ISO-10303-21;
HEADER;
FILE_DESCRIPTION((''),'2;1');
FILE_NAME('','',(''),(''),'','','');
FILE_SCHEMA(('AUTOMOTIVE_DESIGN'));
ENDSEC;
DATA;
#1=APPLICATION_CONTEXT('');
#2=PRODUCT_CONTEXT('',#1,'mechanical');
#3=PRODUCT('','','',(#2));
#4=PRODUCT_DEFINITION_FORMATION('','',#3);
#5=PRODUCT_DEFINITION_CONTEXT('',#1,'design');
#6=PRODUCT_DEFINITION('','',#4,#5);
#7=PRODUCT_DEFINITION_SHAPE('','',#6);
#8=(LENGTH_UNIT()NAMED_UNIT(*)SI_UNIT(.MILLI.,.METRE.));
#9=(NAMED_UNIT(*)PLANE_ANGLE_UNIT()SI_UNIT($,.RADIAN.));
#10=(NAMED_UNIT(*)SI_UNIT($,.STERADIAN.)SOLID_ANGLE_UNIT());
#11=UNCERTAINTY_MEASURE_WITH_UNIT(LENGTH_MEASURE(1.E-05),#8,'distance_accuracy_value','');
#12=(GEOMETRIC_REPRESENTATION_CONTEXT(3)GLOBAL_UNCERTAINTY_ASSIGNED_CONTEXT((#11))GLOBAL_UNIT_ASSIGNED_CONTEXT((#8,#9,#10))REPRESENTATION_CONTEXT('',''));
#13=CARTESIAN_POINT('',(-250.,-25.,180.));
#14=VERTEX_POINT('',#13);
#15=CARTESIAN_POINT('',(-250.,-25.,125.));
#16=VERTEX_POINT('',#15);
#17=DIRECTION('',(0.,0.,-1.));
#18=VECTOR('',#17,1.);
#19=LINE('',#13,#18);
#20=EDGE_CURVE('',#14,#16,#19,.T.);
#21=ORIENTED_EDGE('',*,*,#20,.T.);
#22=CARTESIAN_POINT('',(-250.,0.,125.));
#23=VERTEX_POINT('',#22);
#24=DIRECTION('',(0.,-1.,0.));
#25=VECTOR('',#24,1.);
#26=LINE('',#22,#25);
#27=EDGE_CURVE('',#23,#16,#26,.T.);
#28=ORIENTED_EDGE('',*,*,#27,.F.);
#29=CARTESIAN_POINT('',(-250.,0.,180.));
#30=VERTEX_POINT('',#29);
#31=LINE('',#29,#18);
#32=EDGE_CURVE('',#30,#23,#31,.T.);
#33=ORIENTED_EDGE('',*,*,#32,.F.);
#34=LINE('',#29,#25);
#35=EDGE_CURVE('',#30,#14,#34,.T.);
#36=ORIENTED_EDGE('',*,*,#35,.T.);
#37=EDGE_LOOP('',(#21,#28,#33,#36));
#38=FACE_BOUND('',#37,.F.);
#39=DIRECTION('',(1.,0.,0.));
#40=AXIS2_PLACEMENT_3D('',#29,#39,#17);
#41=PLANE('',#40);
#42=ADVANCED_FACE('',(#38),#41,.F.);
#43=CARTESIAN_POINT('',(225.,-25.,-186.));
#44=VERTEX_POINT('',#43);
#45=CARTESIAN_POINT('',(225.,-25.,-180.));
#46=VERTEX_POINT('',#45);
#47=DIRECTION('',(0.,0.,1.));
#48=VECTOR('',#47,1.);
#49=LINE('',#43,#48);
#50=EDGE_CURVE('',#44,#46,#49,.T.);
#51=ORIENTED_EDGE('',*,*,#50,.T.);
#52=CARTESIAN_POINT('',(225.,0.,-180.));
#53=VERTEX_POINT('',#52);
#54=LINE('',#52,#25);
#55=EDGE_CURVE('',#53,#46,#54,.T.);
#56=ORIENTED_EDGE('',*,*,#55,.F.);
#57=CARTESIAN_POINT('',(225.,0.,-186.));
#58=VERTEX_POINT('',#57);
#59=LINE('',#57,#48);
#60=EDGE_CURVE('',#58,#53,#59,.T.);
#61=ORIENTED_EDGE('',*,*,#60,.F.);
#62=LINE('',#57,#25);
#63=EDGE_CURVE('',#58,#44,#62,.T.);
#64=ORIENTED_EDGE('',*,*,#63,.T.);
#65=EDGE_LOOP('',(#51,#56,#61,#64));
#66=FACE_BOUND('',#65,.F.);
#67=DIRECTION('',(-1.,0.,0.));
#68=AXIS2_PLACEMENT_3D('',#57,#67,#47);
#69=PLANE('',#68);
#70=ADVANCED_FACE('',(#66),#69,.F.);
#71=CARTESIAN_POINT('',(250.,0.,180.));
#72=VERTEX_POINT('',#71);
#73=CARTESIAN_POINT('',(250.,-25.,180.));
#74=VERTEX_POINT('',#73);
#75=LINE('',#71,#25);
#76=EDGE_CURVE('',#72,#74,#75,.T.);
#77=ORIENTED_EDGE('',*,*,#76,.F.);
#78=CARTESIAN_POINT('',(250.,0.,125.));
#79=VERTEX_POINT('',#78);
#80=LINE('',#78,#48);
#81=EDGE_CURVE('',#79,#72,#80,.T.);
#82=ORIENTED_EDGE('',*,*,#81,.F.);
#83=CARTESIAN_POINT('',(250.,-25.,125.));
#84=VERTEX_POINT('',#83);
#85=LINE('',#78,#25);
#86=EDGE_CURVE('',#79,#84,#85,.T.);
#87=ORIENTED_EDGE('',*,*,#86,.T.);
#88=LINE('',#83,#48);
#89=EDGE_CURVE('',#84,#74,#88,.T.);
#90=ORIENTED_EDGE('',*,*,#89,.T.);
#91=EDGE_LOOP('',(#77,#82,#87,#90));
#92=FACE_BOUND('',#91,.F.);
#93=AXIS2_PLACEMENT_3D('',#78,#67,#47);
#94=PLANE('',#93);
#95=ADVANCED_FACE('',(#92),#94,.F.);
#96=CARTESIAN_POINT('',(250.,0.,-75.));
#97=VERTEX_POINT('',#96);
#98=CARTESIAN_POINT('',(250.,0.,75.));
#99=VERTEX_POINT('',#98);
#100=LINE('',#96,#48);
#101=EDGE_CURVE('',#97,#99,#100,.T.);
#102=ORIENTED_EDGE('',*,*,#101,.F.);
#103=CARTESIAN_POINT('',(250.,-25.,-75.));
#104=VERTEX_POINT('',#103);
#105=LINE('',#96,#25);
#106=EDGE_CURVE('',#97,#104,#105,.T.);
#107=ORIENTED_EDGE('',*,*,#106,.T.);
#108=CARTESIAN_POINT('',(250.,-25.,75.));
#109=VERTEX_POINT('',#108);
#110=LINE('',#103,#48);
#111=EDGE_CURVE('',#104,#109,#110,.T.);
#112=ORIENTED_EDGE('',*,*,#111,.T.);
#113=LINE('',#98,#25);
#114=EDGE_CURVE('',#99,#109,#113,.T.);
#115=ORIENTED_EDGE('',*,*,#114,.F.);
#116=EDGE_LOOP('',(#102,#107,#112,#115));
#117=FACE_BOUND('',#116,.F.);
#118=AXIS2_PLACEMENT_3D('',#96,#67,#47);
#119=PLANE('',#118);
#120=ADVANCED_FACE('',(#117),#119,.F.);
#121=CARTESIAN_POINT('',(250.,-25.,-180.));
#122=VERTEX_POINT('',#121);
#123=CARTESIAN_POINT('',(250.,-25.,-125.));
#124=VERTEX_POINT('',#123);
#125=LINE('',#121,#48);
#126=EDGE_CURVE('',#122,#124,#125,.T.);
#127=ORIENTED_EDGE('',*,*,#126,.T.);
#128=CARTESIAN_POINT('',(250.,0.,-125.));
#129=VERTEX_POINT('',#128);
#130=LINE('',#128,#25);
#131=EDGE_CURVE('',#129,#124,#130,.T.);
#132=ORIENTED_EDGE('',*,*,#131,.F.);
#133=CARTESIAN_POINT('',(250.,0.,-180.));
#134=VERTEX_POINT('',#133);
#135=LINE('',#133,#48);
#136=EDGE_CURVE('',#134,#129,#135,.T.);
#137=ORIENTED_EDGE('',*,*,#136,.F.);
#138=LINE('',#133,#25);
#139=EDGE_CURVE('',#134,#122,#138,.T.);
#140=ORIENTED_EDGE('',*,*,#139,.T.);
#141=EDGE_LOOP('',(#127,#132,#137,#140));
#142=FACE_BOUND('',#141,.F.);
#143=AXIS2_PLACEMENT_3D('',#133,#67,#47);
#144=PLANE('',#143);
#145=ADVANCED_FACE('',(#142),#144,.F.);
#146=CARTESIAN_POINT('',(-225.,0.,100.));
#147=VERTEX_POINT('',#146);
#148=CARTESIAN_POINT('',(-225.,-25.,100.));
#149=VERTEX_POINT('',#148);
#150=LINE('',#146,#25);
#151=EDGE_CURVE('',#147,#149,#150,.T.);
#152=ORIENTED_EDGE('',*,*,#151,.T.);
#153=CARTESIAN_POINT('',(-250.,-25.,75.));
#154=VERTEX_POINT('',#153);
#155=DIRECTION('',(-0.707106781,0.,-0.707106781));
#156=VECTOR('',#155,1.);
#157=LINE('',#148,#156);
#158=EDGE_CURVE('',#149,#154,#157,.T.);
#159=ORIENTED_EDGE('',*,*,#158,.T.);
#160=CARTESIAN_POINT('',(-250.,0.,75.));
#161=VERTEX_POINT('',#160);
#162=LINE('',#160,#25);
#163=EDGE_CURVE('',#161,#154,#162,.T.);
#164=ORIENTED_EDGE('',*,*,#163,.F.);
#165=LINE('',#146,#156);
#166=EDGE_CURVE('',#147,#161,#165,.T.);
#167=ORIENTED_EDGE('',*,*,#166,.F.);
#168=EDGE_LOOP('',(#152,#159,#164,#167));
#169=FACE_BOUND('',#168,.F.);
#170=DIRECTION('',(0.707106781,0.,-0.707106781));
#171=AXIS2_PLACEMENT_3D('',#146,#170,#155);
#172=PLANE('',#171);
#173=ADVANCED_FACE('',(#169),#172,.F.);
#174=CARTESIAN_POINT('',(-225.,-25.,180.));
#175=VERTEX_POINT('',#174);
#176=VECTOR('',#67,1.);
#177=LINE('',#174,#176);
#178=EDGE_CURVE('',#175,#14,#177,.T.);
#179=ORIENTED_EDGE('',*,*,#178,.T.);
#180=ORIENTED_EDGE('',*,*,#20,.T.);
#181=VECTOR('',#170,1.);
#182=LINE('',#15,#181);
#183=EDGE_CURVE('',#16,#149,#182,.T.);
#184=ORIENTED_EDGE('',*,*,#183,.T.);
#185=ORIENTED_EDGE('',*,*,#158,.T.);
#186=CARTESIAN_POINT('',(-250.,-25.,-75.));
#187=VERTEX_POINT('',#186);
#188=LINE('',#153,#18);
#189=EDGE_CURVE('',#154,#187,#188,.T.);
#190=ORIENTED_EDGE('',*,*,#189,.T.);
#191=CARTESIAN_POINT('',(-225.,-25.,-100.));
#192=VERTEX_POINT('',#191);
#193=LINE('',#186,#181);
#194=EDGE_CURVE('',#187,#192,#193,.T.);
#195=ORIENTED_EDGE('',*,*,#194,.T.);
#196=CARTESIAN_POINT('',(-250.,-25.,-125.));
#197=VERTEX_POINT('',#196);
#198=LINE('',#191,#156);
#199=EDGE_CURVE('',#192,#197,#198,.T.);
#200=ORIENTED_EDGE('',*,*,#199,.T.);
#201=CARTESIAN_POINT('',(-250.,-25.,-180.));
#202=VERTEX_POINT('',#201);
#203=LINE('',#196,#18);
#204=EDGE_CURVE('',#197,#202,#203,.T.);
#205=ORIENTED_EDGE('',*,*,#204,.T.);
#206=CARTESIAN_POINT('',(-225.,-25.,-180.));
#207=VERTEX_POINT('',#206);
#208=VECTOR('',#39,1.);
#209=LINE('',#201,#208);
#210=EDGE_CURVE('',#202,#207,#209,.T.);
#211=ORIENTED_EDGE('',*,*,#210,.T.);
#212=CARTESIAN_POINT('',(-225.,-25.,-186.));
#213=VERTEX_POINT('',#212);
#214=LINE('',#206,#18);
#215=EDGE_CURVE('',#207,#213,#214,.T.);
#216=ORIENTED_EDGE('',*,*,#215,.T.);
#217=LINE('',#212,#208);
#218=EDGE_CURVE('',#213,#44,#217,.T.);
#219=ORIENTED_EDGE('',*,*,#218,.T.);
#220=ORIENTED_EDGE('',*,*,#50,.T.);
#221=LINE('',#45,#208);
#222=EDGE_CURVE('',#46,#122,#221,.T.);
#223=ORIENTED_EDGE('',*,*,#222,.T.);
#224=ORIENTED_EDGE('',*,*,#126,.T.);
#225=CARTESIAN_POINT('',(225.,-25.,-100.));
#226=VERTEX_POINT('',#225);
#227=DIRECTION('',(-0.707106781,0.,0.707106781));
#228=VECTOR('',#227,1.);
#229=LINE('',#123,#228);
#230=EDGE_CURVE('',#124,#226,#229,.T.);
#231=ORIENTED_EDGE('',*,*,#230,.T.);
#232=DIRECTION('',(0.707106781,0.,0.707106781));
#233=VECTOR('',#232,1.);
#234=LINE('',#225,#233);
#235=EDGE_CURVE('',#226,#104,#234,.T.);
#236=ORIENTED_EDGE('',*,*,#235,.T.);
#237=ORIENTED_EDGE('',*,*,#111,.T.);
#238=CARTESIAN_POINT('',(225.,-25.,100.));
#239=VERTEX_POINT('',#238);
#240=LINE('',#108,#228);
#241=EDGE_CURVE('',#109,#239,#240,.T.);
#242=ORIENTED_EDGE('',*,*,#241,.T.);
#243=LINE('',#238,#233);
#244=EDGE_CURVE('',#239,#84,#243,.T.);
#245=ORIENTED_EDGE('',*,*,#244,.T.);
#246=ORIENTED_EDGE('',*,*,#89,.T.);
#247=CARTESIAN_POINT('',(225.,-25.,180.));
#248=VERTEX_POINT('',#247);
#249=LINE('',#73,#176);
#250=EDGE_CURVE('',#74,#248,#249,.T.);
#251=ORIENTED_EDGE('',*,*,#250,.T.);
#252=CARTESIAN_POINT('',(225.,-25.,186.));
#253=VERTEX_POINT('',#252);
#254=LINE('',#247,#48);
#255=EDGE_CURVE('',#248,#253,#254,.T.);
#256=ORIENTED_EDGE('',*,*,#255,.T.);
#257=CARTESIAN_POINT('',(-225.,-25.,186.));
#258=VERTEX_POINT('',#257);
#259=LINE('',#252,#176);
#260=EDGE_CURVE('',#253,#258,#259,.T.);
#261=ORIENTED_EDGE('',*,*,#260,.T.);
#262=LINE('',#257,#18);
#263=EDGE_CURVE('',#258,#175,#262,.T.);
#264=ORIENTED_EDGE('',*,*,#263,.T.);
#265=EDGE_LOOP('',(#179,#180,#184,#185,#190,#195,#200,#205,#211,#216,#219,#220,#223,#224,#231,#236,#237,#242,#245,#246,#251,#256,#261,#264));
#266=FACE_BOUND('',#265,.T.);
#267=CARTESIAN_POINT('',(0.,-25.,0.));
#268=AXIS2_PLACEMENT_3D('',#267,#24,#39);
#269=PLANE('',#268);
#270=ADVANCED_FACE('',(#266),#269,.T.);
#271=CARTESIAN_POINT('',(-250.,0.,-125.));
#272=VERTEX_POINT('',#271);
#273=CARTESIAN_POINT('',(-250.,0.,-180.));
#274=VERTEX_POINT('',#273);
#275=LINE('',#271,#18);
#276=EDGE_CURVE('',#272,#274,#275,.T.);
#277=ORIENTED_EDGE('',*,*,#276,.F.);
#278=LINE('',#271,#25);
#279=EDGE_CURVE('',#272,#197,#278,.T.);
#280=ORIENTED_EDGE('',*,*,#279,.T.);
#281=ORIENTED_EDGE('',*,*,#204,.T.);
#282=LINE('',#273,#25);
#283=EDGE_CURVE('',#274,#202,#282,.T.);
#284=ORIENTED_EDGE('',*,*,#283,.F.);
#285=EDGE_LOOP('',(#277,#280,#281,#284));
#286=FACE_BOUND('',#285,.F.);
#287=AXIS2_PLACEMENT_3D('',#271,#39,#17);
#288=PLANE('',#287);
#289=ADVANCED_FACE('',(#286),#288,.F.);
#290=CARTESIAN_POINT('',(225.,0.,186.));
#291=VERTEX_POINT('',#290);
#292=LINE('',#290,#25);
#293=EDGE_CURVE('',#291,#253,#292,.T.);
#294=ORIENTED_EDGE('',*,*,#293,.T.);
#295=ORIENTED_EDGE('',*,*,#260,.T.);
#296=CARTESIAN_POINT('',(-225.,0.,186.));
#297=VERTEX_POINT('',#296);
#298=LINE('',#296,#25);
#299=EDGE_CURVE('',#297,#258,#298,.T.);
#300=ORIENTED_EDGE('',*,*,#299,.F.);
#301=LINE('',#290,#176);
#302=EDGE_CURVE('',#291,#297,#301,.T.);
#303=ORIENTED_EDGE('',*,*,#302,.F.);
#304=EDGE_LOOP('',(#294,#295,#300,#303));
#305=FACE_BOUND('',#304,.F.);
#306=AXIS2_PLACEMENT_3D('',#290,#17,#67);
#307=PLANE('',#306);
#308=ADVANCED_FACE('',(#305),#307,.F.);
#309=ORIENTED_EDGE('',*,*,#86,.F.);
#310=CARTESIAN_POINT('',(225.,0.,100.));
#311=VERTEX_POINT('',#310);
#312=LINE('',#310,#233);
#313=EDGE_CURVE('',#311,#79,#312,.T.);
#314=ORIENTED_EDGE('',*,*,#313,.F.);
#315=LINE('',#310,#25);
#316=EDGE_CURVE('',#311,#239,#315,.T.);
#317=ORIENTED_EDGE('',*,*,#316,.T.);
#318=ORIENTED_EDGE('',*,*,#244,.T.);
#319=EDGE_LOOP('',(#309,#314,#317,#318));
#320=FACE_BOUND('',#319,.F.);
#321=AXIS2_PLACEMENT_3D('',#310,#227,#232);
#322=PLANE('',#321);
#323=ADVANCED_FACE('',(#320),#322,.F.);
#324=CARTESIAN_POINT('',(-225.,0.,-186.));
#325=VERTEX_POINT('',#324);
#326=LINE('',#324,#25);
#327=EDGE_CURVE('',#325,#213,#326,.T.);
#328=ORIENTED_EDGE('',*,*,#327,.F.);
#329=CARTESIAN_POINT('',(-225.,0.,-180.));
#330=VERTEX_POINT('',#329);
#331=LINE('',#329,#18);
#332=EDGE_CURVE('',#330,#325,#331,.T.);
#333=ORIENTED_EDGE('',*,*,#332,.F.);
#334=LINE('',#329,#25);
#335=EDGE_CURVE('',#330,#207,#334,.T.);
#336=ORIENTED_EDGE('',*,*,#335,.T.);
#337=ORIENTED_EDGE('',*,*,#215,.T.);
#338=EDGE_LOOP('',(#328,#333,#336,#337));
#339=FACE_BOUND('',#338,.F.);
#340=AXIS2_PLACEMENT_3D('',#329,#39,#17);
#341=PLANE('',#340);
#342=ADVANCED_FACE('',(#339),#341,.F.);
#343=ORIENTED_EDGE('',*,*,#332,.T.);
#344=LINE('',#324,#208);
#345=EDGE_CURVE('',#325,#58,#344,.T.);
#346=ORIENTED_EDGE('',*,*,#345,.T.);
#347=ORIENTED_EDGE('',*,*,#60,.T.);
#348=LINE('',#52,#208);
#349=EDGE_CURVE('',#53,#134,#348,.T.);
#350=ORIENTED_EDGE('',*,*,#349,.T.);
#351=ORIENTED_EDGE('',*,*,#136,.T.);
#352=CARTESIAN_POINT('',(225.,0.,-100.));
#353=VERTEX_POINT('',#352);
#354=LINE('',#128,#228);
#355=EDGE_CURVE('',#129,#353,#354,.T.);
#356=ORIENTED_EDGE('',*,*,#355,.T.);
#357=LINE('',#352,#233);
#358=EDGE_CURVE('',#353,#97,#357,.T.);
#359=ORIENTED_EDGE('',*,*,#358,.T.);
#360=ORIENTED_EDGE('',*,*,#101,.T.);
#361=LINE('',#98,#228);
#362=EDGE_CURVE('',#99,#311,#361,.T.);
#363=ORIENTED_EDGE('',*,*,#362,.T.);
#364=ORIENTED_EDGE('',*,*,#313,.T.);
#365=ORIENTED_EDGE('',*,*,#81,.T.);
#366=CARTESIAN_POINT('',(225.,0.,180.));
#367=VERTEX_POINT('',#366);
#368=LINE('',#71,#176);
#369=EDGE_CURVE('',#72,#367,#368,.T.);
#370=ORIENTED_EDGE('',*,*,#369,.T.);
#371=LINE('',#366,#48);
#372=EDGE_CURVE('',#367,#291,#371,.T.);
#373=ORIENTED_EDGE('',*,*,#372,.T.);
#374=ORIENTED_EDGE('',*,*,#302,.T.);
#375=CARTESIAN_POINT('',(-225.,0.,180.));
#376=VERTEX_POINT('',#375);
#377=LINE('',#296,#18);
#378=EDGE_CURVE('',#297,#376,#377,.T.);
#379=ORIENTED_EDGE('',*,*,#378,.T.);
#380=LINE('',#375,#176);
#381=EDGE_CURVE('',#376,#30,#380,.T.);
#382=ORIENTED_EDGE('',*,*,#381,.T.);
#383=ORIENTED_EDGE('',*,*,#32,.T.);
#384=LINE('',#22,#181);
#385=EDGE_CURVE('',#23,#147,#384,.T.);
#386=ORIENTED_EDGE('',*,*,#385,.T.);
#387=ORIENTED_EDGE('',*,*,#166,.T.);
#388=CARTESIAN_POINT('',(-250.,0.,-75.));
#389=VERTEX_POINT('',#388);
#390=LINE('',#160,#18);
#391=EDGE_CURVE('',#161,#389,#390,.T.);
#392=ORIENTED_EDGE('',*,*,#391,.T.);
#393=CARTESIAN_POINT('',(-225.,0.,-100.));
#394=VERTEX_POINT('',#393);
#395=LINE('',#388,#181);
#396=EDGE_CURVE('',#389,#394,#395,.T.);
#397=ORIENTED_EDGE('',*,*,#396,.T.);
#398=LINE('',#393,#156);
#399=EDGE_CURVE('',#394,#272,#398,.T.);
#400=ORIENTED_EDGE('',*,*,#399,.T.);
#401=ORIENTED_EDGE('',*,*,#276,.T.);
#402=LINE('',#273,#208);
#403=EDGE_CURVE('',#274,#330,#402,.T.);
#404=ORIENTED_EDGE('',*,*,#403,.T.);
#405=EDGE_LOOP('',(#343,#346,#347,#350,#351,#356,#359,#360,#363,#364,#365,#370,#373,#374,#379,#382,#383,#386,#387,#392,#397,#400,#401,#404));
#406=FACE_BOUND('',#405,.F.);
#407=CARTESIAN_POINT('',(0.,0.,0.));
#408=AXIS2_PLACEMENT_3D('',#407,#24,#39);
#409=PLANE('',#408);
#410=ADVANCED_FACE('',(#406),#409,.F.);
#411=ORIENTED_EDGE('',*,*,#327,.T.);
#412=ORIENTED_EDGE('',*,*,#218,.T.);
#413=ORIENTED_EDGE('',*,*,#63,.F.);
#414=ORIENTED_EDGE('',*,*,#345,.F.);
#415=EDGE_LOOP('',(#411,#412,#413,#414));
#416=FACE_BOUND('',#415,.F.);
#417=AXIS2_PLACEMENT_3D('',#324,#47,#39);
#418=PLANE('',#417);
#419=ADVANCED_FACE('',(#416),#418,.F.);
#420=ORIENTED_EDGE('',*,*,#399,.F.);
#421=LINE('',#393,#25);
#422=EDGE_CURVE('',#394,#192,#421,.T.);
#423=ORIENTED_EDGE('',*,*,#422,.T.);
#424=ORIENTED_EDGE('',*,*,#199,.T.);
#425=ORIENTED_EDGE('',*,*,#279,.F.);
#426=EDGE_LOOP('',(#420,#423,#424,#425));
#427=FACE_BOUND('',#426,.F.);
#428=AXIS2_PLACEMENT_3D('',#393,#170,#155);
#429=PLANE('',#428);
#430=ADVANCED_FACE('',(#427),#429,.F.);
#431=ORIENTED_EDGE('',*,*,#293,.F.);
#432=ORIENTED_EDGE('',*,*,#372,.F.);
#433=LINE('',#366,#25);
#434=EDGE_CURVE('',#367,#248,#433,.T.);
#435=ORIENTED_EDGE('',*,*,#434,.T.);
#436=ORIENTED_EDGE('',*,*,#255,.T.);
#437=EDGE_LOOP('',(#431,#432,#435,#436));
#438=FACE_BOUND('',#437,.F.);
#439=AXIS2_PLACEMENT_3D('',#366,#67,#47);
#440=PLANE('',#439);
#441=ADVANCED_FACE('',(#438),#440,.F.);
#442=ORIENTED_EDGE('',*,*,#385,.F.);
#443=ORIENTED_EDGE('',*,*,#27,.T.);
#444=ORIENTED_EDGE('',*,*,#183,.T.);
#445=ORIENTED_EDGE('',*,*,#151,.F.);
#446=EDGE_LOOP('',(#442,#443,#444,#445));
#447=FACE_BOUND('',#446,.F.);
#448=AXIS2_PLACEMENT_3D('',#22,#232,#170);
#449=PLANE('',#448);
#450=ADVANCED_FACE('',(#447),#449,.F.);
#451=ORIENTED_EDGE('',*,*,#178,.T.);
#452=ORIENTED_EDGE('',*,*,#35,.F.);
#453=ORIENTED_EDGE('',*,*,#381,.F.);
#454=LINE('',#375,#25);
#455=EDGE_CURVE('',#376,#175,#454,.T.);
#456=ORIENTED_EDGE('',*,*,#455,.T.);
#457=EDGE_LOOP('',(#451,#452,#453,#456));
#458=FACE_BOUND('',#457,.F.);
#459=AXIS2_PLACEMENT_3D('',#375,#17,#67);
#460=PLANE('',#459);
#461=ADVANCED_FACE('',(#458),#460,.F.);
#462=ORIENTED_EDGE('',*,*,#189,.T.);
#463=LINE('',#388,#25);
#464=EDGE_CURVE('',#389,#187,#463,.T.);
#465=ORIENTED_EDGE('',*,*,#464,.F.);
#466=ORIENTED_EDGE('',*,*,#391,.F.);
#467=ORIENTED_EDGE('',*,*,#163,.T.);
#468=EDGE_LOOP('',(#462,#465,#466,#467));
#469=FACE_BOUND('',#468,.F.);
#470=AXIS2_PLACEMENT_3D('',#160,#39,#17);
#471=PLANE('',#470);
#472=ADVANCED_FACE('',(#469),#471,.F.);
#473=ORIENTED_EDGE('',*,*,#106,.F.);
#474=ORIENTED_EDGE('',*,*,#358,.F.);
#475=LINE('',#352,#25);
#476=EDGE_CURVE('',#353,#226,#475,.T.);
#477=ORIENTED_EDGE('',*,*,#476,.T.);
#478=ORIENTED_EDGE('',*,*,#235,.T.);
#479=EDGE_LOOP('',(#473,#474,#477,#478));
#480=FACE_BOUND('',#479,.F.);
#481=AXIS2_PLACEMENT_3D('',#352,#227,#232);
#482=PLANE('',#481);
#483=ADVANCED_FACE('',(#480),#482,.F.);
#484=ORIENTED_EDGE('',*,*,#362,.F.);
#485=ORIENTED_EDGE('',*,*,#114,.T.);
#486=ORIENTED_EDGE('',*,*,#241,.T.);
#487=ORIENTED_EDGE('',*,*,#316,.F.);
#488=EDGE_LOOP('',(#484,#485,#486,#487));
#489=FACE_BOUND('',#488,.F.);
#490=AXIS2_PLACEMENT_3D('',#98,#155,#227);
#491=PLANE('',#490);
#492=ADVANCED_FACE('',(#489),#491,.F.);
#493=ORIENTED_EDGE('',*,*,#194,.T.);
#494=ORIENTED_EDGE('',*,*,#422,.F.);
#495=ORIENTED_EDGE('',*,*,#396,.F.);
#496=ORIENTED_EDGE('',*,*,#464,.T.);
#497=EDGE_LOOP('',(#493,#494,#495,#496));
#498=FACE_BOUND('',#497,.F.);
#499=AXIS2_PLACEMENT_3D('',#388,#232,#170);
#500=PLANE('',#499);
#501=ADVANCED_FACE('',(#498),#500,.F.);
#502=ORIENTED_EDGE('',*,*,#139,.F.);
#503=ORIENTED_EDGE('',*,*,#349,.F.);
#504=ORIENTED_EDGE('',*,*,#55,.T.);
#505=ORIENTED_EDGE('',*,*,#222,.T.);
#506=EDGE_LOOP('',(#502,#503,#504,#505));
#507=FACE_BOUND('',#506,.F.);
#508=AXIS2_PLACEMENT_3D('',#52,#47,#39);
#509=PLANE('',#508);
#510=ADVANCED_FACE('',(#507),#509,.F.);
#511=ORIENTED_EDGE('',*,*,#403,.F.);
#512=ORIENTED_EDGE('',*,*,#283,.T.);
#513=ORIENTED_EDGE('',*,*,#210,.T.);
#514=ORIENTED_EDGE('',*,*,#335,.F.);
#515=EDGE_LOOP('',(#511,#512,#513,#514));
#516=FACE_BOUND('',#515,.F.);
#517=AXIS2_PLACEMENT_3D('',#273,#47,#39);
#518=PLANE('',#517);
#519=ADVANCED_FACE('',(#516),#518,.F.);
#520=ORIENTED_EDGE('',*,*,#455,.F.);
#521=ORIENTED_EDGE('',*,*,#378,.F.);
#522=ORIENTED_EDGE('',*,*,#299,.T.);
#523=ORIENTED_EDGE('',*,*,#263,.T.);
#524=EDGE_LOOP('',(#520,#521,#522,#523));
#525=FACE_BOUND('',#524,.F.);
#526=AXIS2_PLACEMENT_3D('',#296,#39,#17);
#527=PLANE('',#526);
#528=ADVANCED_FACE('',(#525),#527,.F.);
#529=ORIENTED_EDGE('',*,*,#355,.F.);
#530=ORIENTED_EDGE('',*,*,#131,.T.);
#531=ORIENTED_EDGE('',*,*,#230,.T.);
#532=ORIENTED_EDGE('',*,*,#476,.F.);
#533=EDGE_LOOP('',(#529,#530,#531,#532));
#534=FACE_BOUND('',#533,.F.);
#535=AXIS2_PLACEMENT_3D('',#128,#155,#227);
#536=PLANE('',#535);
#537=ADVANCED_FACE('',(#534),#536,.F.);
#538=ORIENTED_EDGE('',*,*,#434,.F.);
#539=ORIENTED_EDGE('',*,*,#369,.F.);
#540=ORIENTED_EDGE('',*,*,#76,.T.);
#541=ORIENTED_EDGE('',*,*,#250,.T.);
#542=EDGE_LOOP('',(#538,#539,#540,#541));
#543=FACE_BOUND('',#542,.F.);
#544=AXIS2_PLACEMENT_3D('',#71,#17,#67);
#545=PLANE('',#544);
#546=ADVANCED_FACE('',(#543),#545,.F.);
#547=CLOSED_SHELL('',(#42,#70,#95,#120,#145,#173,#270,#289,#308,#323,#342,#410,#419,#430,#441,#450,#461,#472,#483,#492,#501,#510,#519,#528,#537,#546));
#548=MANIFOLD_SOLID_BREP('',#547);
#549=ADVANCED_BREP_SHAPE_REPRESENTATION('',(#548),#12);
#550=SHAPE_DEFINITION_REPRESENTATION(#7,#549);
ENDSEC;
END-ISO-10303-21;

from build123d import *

# Parameters (mm, degrees)
F1_DEPTH = 25


with BuildPart() as f1:
    # F0 (on Front) → F1 (new body)
    with BuildSketch(Plane.XZ):
        Polygon((-225, -186), (225, -186), (225, -180), (250, -180), (250, -125), (225, -100), (250, -75), (250, 75), (225, 100), (250, 125), (250, 180), (225, 180), (225, 186), (-225, 186), (-225, 180), (-250, 180), (-250, 151.430458), (-250, 150), (-250, 125), (-225, 100), (-250, 75), (-250, -75), (-225, -100), (-250, -125), (-250, -180), (-225, -180), align=None)
    extrude(amount=F1_DEPTH)


solid = f1.part
